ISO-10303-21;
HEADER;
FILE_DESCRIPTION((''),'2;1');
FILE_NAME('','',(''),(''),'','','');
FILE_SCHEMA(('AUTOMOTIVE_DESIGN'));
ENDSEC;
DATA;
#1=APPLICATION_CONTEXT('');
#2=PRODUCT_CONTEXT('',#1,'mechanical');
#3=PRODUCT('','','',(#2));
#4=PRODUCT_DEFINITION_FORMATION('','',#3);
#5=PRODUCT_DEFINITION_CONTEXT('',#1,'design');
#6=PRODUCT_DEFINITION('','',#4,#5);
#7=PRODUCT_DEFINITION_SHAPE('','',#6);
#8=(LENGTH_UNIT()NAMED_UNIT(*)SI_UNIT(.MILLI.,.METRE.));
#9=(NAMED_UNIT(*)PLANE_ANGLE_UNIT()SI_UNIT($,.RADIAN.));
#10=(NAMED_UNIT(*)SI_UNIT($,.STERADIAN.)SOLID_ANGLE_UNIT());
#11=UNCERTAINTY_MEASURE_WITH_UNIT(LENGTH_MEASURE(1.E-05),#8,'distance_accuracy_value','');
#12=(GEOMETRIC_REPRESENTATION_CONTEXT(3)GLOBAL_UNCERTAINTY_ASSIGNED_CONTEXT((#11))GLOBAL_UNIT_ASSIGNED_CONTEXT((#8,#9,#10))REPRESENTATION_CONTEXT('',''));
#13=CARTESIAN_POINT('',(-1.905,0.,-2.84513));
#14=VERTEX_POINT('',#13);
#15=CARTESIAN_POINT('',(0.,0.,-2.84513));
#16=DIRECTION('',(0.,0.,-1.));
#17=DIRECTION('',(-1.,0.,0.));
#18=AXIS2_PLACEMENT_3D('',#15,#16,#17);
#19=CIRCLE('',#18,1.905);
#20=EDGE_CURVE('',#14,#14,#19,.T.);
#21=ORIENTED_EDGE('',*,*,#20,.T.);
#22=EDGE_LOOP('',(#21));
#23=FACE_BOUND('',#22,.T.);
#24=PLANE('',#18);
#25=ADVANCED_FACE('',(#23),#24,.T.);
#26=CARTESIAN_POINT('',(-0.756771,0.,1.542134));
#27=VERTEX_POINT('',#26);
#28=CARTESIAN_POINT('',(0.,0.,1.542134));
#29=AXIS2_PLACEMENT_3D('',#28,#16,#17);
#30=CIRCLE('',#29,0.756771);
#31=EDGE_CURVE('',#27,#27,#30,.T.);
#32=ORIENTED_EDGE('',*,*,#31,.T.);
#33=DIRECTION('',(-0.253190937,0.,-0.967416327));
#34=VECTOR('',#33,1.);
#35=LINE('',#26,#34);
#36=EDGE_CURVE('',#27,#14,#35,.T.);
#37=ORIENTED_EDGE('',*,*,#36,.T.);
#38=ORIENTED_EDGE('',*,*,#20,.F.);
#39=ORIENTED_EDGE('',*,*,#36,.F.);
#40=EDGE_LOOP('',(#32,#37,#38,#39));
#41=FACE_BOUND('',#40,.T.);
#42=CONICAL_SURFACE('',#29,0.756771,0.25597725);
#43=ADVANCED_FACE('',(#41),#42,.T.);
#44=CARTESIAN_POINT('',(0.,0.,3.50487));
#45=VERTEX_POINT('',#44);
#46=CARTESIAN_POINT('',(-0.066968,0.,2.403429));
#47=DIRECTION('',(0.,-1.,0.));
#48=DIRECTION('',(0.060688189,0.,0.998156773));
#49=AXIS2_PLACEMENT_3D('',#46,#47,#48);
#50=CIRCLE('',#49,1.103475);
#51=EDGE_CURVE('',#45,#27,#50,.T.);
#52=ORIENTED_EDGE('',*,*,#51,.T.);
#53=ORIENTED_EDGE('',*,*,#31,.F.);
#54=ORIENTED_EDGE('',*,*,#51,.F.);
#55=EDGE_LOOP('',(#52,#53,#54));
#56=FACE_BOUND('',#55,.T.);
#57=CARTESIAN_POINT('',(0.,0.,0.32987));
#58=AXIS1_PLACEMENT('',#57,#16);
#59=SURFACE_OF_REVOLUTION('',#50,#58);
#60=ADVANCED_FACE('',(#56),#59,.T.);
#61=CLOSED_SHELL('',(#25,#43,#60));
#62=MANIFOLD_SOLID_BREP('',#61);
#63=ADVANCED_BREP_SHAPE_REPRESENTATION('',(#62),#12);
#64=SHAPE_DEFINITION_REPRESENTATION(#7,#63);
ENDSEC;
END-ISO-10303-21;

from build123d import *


with BuildPart() as f1:
    # F0 (on Front) → F1 (revolve)
    with BuildSketch(Plane.XZ):
        with BuildLine():
            Line((0, -2.84513), (0, 3.50487))
            ThreePointArc((0, 3.50487), (-1.096562, 2.800409), (-0.756771, 1.542134))
            Line((-0.756771, 1.542134), (-1.905, -2.84513))
            Line((-1.905, -2.84513), (0, -2.84513))
        make_face()
    revolve(axis=Axis((0, 0, 0.32987), (0, 0, -1)))


solid = f1.part
